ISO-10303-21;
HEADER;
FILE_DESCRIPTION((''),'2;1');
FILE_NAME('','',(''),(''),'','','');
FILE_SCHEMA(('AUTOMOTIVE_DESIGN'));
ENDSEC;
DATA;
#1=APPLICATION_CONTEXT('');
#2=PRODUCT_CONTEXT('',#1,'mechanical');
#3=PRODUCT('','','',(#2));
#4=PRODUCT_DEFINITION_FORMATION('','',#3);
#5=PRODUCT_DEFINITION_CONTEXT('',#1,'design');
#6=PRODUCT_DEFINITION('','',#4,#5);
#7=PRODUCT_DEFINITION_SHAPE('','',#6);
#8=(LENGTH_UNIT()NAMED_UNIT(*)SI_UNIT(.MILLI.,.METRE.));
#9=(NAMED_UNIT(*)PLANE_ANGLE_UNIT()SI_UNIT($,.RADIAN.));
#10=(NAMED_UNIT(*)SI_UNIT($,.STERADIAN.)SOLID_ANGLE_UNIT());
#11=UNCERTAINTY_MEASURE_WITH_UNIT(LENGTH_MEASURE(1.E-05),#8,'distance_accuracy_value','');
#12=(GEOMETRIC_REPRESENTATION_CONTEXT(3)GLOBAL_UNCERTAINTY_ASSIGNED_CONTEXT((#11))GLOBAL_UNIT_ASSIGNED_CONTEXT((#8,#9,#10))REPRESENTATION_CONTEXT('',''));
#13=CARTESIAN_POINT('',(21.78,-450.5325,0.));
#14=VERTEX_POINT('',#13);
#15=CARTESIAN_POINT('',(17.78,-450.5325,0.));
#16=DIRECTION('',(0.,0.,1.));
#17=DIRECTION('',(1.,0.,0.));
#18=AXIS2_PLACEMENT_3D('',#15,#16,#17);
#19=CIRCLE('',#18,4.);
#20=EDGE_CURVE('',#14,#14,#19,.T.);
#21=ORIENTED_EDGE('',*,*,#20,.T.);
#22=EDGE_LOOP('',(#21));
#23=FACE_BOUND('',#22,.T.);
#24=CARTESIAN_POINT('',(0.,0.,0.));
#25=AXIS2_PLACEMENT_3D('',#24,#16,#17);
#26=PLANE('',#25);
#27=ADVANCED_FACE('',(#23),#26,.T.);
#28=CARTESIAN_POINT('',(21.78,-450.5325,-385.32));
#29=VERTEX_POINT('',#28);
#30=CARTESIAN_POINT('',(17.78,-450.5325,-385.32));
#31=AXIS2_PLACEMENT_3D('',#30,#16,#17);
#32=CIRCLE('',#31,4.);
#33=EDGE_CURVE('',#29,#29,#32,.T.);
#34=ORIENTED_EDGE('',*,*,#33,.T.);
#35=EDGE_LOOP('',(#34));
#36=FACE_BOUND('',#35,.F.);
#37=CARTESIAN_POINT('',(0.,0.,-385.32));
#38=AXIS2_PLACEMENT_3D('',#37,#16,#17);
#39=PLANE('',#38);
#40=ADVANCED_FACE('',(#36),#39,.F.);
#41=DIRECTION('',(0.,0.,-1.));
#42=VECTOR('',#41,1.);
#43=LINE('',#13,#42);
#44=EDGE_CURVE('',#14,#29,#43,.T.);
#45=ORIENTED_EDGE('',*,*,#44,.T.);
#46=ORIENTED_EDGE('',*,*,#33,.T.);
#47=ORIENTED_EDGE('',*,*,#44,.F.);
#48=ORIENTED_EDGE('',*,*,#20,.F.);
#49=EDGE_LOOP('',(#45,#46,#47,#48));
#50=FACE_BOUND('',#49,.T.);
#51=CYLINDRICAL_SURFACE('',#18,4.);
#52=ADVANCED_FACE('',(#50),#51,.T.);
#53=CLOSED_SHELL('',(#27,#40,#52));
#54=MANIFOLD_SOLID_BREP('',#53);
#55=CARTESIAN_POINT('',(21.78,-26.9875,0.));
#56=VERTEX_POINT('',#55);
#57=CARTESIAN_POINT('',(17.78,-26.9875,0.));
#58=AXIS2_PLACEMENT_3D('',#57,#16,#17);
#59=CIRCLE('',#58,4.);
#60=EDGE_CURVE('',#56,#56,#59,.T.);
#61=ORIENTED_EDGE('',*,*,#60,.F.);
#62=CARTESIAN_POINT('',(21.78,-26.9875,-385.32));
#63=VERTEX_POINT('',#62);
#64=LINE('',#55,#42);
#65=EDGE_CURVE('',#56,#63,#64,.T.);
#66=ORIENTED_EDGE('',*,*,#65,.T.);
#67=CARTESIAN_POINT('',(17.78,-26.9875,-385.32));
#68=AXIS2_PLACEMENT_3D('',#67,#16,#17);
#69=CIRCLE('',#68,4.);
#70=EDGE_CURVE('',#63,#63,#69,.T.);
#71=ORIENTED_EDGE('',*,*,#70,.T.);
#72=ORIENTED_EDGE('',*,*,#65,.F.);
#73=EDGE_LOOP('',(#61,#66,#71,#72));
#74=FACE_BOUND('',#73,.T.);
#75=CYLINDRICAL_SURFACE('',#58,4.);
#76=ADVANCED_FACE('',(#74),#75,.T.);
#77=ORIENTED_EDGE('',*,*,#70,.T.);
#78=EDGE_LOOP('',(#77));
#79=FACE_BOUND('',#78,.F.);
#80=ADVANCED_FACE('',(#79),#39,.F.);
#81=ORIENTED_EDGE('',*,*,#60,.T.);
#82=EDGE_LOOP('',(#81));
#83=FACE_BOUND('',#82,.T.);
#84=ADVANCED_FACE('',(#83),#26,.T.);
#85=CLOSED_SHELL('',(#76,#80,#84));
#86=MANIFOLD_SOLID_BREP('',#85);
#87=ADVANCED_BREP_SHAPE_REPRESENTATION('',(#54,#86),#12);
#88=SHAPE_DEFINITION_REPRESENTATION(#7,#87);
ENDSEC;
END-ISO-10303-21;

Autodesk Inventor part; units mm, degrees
ref_plane "YZ Plane" through (0, 0, 0) normal (1, 0, 0) x (0, 1, 0)
ref_plane "XZ Plane" through (0, 0, 0) normal (0, 1, 0) x (-1, 0, 0)
ref_plane "Work Plane1" through (0, 0, 0) normal (0, 0, 1) x (1, 0, 0)
sketch "Sketch1" plane through (0, 0, 0) normal (0, 0, 1) x (1, 0, 0)
  circle A0 centre (17.78, -26.9875) radius 4 projected
  circle A1 centre (17.78, -450.5325) radius 4 projected
  point P0 (0, 0)
ref_plane "Work Plane2" through (-38.1, -53.975, -385.32) normal (0, 0, -1) x (0, 1, 0)
extrude "Extrusion1" add sketch "Sketch1" against normal up to surface (385.32 mm away)
properties part number "YRails"
